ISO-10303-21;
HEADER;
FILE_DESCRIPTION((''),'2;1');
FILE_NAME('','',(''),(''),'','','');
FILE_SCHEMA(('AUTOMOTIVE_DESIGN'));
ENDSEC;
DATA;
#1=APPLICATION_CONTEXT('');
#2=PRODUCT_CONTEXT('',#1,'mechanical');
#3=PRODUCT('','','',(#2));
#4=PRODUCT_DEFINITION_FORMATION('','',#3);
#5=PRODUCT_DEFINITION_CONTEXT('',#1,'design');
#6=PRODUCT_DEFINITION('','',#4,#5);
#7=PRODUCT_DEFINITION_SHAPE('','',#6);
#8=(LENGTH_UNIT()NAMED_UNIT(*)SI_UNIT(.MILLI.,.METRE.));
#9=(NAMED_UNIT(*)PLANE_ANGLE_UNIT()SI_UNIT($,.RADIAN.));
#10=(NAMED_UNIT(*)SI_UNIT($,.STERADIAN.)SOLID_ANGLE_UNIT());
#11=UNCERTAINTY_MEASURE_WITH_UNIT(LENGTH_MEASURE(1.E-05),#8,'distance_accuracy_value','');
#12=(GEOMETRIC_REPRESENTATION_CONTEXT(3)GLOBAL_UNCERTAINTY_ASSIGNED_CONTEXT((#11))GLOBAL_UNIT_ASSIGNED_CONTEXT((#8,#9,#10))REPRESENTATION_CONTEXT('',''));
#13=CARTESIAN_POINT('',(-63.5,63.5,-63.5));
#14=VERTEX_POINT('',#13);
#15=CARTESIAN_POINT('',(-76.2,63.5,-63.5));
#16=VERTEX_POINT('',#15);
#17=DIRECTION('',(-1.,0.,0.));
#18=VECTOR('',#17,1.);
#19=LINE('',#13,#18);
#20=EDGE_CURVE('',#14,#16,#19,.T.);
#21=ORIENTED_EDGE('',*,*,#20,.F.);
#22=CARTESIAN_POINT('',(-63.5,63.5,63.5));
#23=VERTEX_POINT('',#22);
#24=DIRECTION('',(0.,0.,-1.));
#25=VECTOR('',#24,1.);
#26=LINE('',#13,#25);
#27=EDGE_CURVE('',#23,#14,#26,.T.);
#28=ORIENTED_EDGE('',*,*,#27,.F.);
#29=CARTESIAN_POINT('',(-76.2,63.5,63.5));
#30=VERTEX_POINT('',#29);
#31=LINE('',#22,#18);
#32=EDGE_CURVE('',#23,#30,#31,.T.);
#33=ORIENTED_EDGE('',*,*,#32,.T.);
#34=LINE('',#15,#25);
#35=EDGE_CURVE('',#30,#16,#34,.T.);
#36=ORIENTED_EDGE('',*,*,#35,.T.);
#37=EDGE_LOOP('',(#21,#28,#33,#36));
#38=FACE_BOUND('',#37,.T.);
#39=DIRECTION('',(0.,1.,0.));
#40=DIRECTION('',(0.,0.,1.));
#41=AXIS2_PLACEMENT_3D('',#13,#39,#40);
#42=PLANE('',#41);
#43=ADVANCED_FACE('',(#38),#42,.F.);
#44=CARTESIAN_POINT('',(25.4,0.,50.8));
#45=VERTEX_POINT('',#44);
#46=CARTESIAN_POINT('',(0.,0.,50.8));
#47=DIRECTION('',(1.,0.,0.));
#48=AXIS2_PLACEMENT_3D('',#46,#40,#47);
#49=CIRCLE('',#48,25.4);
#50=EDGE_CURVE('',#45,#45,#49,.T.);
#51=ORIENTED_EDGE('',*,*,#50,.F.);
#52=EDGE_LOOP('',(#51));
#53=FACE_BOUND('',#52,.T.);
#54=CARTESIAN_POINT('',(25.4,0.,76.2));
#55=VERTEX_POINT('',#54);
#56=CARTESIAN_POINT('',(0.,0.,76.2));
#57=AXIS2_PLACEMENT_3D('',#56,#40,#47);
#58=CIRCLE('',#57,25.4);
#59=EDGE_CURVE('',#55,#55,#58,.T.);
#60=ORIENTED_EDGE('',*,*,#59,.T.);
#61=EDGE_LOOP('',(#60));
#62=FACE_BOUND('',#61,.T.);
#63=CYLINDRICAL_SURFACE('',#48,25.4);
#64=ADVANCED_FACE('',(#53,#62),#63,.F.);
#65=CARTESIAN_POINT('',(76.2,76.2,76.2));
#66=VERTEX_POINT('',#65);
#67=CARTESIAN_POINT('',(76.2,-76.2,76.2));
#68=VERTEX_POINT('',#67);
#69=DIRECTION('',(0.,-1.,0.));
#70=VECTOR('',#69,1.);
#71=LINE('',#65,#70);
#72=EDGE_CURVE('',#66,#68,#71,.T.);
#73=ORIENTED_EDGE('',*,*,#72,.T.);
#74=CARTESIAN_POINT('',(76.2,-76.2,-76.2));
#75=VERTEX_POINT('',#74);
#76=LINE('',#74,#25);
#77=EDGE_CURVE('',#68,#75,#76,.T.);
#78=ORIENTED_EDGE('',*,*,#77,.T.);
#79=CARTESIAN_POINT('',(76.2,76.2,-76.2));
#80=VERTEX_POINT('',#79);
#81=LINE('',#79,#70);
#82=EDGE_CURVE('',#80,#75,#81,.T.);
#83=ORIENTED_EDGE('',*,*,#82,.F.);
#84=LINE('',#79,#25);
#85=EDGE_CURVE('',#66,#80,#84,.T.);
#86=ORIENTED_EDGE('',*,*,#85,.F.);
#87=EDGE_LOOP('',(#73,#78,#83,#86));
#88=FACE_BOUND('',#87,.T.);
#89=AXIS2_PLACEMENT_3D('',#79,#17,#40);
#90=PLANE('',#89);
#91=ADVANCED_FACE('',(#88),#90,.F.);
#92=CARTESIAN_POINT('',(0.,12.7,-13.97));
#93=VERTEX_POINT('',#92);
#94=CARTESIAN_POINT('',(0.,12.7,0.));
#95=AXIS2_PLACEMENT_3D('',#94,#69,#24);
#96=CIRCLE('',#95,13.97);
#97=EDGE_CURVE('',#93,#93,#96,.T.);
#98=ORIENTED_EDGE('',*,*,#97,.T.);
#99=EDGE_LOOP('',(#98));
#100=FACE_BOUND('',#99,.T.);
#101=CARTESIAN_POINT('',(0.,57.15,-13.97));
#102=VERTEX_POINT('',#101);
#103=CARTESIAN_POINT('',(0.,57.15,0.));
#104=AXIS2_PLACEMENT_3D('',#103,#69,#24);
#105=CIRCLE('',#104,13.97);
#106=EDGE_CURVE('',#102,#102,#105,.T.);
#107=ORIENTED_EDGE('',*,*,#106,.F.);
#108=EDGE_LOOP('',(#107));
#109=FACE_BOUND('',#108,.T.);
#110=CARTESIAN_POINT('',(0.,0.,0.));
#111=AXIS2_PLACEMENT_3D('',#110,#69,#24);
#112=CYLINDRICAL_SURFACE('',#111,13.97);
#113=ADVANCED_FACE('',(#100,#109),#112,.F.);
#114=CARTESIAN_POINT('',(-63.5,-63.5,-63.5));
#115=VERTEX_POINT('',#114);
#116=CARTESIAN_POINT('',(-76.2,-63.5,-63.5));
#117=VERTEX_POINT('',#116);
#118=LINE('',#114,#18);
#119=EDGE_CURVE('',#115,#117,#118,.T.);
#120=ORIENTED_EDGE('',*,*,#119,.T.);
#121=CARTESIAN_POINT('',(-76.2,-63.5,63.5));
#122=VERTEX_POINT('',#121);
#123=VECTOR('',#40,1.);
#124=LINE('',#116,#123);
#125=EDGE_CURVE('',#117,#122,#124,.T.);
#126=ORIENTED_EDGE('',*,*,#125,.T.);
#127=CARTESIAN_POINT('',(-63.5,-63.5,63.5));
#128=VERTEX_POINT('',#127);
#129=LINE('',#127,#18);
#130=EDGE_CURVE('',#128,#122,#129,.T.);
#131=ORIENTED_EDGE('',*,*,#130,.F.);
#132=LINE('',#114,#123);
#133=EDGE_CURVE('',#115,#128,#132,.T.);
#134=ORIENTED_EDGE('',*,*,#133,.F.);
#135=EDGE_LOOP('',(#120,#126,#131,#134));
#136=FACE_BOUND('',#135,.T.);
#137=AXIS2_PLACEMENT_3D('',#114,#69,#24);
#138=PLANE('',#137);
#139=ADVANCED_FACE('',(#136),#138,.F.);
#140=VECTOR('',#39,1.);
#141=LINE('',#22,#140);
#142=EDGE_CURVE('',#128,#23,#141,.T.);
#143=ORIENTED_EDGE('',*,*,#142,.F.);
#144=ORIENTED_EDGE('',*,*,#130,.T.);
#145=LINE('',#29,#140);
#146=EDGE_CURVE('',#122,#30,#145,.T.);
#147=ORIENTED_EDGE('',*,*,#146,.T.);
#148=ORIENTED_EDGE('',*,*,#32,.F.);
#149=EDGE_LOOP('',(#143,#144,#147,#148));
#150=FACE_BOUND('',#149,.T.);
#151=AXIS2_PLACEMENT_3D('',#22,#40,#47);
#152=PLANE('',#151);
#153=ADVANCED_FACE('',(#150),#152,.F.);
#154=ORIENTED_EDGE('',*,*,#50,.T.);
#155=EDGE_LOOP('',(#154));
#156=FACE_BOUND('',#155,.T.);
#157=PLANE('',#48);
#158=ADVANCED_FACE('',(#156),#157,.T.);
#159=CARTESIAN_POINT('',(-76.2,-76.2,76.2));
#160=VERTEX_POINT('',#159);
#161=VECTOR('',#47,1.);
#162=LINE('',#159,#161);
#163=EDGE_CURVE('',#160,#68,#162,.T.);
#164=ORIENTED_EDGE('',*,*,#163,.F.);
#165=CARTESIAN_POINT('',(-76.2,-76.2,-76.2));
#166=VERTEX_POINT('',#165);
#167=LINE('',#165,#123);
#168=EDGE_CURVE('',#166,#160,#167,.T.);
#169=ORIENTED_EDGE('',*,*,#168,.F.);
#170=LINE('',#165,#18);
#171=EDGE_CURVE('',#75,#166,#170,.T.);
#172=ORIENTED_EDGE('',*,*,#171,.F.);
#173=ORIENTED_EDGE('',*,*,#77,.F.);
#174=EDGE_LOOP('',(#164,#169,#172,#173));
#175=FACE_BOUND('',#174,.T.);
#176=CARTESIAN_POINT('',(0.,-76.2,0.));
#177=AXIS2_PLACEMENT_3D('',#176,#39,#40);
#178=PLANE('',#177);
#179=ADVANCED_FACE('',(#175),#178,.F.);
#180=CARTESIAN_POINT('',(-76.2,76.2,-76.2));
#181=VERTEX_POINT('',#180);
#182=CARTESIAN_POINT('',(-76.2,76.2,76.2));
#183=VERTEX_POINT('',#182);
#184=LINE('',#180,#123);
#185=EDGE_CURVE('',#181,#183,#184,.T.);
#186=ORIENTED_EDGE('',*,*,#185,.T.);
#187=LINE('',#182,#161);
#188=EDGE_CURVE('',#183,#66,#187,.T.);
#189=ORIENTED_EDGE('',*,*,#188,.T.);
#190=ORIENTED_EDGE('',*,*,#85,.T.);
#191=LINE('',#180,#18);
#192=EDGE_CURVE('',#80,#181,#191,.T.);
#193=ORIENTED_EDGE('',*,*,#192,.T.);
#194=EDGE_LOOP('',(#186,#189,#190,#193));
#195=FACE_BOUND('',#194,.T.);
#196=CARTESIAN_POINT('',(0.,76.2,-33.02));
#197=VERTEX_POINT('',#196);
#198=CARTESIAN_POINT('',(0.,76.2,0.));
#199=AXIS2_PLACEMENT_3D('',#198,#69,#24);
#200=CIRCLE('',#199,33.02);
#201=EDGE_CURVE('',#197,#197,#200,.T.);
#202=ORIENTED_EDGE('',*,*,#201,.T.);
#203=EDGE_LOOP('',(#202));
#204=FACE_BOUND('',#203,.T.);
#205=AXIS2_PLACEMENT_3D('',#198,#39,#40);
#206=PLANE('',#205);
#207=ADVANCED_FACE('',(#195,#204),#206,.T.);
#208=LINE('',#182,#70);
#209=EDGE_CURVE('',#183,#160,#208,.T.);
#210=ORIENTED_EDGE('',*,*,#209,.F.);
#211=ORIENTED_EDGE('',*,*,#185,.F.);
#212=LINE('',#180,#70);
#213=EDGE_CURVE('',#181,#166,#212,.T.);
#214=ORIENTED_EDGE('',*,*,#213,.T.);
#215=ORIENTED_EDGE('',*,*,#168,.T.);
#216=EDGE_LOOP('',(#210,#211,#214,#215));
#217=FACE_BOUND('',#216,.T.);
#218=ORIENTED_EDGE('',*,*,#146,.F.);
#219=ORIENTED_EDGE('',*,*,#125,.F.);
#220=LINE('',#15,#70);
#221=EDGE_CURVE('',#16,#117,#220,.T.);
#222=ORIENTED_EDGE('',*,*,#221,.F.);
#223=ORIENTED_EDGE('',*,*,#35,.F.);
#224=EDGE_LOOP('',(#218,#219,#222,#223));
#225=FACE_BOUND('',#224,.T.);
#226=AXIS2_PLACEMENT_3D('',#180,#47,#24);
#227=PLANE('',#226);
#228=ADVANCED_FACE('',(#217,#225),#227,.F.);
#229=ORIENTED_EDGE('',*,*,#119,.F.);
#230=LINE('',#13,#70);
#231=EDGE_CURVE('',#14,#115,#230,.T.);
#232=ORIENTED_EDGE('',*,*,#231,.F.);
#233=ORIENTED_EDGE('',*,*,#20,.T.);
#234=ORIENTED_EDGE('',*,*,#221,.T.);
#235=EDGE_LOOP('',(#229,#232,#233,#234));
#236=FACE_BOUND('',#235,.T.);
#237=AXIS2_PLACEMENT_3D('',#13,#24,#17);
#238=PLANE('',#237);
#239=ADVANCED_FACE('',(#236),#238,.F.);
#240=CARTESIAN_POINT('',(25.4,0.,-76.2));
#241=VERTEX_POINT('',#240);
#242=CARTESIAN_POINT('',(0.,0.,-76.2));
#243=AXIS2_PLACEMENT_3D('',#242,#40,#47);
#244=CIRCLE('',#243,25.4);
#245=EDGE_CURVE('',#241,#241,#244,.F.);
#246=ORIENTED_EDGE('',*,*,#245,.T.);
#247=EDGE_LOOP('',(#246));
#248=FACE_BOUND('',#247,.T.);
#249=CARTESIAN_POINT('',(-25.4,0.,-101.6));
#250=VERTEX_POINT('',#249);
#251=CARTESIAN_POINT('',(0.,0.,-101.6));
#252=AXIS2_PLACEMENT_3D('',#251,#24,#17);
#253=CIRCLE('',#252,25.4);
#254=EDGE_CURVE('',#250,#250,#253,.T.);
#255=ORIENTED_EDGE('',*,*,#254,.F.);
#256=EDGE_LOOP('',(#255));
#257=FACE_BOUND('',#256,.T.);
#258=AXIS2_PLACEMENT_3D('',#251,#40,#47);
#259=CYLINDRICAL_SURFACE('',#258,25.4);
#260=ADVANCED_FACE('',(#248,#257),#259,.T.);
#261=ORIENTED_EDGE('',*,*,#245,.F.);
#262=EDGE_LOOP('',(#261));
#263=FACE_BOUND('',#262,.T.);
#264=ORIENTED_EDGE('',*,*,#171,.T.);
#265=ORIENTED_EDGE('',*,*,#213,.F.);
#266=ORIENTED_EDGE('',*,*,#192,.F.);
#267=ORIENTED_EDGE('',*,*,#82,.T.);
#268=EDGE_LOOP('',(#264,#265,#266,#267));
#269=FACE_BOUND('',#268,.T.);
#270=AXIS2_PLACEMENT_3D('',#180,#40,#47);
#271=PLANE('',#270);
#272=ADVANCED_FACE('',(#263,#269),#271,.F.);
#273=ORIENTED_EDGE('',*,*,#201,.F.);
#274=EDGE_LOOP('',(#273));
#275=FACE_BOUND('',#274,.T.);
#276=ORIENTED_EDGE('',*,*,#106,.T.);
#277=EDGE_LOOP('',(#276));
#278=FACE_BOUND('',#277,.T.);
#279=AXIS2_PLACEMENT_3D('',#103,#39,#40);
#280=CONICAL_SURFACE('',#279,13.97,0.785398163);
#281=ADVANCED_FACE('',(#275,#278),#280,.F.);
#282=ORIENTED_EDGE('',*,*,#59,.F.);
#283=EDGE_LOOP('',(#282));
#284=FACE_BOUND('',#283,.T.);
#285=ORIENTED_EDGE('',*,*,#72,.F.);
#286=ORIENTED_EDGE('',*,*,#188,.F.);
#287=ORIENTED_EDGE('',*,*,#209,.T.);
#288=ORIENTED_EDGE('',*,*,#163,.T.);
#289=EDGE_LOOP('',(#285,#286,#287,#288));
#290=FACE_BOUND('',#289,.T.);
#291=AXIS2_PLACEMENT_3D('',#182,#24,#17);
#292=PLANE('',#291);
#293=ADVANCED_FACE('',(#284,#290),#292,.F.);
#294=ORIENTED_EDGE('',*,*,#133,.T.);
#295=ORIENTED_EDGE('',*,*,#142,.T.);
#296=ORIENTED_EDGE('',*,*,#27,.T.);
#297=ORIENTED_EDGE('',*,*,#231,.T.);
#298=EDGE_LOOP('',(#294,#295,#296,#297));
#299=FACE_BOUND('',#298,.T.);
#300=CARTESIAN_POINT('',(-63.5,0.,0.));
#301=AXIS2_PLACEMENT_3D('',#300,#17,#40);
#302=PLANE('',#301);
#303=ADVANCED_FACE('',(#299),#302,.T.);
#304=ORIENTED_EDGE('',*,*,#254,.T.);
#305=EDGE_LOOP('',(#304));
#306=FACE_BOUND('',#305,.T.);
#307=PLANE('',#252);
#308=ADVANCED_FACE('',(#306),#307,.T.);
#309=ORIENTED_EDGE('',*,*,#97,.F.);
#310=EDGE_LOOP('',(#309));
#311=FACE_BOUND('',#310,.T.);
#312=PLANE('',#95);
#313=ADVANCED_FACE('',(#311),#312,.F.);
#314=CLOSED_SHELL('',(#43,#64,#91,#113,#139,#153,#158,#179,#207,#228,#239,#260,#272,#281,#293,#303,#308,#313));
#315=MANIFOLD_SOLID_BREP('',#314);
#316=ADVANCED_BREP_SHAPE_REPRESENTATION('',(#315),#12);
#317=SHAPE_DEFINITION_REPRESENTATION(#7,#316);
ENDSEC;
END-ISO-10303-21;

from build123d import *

# Parameters (mm, degrees)
SKETCH1_W           = 152.4
SKETCH1_H           = 152.4
BOSS_EXTRUDE1_DEPTH = 76.2
SKETCH4_R           = 25.4
CUT_EXTRUDE2_DEPTH  = 25.4
SKETCH5_R           = 25.4
BOSS_EXTRUDE2_DEPTH = 25.4
SKETCH6_W           = 127
SKETCH6_H           = 127
CUT_EXTRUDE3_DEPTH  = 12.7


with BuildPart() as part:
    # Sketch1 → Boss-Extrude1 (new, symmetric)
    with BuildSketch(Plane(origin=(0, 0, 0), x_dir=(1, 0, 0), z_dir=(0, 1, 0))):
        Rectangle(SKETCH1_W, SKETCH1_H)
    extrude(amount=BOSS_EXTRUDE1_DEPTH, both=True)

    # Sketch2 → Cut-Revolve1 (revolve, cut)
    with BuildSketch(Plane.XY, mode=Mode.PRIVATE) as cut_revolve1_sk:
        Polygon((0, 12.7), (13.97, 12.7), (13.97, 57.15), (33.02, 76.2), (0, 76.2), align=None)
    revolve(cut_revolve1_sk.sketch.rotate(Axis((0, 0, 0), (0, 1, 0)), 90), axis=Axis((0, 0, 0), (0, 1, 0)), mode=Mode.SUBTRACT)

    # Sketch4 → Cut-Extrude2 (cut)
    with BuildSketch(Plane.XY.offset(76.2)):
        Circle(SKETCH4_R)
    extrude(amount=-CUT_EXTRUDE2_DEPTH, mode=Mode.SUBTRACT)

    # Sketch5 → Boss-Extrude2 (add)
    with BuildSketch(Plane(origin=(0, 0, -76.2), x_dir=(-1, 0, 0), z_dir=(0, 0, -1))):
        with Locations(Location((0, 0, 0), (0, 0, 180))):
            Circle(SKETCH5_R)
    extrude(amount=BOSS_EXTRUDE2_DEPTH)

    # Sketch6 → Cut-Extrude3 (cut)
    with BuildSketch(Plane.ZY.offset(76.2)):
        Rectangle(SKETCH6_W, SKETCH6_H)
    extrude(amount=-CUT_EXTRUDE3_DEPTH, mode=Mode.SUBTRACT)


solid = part.part
